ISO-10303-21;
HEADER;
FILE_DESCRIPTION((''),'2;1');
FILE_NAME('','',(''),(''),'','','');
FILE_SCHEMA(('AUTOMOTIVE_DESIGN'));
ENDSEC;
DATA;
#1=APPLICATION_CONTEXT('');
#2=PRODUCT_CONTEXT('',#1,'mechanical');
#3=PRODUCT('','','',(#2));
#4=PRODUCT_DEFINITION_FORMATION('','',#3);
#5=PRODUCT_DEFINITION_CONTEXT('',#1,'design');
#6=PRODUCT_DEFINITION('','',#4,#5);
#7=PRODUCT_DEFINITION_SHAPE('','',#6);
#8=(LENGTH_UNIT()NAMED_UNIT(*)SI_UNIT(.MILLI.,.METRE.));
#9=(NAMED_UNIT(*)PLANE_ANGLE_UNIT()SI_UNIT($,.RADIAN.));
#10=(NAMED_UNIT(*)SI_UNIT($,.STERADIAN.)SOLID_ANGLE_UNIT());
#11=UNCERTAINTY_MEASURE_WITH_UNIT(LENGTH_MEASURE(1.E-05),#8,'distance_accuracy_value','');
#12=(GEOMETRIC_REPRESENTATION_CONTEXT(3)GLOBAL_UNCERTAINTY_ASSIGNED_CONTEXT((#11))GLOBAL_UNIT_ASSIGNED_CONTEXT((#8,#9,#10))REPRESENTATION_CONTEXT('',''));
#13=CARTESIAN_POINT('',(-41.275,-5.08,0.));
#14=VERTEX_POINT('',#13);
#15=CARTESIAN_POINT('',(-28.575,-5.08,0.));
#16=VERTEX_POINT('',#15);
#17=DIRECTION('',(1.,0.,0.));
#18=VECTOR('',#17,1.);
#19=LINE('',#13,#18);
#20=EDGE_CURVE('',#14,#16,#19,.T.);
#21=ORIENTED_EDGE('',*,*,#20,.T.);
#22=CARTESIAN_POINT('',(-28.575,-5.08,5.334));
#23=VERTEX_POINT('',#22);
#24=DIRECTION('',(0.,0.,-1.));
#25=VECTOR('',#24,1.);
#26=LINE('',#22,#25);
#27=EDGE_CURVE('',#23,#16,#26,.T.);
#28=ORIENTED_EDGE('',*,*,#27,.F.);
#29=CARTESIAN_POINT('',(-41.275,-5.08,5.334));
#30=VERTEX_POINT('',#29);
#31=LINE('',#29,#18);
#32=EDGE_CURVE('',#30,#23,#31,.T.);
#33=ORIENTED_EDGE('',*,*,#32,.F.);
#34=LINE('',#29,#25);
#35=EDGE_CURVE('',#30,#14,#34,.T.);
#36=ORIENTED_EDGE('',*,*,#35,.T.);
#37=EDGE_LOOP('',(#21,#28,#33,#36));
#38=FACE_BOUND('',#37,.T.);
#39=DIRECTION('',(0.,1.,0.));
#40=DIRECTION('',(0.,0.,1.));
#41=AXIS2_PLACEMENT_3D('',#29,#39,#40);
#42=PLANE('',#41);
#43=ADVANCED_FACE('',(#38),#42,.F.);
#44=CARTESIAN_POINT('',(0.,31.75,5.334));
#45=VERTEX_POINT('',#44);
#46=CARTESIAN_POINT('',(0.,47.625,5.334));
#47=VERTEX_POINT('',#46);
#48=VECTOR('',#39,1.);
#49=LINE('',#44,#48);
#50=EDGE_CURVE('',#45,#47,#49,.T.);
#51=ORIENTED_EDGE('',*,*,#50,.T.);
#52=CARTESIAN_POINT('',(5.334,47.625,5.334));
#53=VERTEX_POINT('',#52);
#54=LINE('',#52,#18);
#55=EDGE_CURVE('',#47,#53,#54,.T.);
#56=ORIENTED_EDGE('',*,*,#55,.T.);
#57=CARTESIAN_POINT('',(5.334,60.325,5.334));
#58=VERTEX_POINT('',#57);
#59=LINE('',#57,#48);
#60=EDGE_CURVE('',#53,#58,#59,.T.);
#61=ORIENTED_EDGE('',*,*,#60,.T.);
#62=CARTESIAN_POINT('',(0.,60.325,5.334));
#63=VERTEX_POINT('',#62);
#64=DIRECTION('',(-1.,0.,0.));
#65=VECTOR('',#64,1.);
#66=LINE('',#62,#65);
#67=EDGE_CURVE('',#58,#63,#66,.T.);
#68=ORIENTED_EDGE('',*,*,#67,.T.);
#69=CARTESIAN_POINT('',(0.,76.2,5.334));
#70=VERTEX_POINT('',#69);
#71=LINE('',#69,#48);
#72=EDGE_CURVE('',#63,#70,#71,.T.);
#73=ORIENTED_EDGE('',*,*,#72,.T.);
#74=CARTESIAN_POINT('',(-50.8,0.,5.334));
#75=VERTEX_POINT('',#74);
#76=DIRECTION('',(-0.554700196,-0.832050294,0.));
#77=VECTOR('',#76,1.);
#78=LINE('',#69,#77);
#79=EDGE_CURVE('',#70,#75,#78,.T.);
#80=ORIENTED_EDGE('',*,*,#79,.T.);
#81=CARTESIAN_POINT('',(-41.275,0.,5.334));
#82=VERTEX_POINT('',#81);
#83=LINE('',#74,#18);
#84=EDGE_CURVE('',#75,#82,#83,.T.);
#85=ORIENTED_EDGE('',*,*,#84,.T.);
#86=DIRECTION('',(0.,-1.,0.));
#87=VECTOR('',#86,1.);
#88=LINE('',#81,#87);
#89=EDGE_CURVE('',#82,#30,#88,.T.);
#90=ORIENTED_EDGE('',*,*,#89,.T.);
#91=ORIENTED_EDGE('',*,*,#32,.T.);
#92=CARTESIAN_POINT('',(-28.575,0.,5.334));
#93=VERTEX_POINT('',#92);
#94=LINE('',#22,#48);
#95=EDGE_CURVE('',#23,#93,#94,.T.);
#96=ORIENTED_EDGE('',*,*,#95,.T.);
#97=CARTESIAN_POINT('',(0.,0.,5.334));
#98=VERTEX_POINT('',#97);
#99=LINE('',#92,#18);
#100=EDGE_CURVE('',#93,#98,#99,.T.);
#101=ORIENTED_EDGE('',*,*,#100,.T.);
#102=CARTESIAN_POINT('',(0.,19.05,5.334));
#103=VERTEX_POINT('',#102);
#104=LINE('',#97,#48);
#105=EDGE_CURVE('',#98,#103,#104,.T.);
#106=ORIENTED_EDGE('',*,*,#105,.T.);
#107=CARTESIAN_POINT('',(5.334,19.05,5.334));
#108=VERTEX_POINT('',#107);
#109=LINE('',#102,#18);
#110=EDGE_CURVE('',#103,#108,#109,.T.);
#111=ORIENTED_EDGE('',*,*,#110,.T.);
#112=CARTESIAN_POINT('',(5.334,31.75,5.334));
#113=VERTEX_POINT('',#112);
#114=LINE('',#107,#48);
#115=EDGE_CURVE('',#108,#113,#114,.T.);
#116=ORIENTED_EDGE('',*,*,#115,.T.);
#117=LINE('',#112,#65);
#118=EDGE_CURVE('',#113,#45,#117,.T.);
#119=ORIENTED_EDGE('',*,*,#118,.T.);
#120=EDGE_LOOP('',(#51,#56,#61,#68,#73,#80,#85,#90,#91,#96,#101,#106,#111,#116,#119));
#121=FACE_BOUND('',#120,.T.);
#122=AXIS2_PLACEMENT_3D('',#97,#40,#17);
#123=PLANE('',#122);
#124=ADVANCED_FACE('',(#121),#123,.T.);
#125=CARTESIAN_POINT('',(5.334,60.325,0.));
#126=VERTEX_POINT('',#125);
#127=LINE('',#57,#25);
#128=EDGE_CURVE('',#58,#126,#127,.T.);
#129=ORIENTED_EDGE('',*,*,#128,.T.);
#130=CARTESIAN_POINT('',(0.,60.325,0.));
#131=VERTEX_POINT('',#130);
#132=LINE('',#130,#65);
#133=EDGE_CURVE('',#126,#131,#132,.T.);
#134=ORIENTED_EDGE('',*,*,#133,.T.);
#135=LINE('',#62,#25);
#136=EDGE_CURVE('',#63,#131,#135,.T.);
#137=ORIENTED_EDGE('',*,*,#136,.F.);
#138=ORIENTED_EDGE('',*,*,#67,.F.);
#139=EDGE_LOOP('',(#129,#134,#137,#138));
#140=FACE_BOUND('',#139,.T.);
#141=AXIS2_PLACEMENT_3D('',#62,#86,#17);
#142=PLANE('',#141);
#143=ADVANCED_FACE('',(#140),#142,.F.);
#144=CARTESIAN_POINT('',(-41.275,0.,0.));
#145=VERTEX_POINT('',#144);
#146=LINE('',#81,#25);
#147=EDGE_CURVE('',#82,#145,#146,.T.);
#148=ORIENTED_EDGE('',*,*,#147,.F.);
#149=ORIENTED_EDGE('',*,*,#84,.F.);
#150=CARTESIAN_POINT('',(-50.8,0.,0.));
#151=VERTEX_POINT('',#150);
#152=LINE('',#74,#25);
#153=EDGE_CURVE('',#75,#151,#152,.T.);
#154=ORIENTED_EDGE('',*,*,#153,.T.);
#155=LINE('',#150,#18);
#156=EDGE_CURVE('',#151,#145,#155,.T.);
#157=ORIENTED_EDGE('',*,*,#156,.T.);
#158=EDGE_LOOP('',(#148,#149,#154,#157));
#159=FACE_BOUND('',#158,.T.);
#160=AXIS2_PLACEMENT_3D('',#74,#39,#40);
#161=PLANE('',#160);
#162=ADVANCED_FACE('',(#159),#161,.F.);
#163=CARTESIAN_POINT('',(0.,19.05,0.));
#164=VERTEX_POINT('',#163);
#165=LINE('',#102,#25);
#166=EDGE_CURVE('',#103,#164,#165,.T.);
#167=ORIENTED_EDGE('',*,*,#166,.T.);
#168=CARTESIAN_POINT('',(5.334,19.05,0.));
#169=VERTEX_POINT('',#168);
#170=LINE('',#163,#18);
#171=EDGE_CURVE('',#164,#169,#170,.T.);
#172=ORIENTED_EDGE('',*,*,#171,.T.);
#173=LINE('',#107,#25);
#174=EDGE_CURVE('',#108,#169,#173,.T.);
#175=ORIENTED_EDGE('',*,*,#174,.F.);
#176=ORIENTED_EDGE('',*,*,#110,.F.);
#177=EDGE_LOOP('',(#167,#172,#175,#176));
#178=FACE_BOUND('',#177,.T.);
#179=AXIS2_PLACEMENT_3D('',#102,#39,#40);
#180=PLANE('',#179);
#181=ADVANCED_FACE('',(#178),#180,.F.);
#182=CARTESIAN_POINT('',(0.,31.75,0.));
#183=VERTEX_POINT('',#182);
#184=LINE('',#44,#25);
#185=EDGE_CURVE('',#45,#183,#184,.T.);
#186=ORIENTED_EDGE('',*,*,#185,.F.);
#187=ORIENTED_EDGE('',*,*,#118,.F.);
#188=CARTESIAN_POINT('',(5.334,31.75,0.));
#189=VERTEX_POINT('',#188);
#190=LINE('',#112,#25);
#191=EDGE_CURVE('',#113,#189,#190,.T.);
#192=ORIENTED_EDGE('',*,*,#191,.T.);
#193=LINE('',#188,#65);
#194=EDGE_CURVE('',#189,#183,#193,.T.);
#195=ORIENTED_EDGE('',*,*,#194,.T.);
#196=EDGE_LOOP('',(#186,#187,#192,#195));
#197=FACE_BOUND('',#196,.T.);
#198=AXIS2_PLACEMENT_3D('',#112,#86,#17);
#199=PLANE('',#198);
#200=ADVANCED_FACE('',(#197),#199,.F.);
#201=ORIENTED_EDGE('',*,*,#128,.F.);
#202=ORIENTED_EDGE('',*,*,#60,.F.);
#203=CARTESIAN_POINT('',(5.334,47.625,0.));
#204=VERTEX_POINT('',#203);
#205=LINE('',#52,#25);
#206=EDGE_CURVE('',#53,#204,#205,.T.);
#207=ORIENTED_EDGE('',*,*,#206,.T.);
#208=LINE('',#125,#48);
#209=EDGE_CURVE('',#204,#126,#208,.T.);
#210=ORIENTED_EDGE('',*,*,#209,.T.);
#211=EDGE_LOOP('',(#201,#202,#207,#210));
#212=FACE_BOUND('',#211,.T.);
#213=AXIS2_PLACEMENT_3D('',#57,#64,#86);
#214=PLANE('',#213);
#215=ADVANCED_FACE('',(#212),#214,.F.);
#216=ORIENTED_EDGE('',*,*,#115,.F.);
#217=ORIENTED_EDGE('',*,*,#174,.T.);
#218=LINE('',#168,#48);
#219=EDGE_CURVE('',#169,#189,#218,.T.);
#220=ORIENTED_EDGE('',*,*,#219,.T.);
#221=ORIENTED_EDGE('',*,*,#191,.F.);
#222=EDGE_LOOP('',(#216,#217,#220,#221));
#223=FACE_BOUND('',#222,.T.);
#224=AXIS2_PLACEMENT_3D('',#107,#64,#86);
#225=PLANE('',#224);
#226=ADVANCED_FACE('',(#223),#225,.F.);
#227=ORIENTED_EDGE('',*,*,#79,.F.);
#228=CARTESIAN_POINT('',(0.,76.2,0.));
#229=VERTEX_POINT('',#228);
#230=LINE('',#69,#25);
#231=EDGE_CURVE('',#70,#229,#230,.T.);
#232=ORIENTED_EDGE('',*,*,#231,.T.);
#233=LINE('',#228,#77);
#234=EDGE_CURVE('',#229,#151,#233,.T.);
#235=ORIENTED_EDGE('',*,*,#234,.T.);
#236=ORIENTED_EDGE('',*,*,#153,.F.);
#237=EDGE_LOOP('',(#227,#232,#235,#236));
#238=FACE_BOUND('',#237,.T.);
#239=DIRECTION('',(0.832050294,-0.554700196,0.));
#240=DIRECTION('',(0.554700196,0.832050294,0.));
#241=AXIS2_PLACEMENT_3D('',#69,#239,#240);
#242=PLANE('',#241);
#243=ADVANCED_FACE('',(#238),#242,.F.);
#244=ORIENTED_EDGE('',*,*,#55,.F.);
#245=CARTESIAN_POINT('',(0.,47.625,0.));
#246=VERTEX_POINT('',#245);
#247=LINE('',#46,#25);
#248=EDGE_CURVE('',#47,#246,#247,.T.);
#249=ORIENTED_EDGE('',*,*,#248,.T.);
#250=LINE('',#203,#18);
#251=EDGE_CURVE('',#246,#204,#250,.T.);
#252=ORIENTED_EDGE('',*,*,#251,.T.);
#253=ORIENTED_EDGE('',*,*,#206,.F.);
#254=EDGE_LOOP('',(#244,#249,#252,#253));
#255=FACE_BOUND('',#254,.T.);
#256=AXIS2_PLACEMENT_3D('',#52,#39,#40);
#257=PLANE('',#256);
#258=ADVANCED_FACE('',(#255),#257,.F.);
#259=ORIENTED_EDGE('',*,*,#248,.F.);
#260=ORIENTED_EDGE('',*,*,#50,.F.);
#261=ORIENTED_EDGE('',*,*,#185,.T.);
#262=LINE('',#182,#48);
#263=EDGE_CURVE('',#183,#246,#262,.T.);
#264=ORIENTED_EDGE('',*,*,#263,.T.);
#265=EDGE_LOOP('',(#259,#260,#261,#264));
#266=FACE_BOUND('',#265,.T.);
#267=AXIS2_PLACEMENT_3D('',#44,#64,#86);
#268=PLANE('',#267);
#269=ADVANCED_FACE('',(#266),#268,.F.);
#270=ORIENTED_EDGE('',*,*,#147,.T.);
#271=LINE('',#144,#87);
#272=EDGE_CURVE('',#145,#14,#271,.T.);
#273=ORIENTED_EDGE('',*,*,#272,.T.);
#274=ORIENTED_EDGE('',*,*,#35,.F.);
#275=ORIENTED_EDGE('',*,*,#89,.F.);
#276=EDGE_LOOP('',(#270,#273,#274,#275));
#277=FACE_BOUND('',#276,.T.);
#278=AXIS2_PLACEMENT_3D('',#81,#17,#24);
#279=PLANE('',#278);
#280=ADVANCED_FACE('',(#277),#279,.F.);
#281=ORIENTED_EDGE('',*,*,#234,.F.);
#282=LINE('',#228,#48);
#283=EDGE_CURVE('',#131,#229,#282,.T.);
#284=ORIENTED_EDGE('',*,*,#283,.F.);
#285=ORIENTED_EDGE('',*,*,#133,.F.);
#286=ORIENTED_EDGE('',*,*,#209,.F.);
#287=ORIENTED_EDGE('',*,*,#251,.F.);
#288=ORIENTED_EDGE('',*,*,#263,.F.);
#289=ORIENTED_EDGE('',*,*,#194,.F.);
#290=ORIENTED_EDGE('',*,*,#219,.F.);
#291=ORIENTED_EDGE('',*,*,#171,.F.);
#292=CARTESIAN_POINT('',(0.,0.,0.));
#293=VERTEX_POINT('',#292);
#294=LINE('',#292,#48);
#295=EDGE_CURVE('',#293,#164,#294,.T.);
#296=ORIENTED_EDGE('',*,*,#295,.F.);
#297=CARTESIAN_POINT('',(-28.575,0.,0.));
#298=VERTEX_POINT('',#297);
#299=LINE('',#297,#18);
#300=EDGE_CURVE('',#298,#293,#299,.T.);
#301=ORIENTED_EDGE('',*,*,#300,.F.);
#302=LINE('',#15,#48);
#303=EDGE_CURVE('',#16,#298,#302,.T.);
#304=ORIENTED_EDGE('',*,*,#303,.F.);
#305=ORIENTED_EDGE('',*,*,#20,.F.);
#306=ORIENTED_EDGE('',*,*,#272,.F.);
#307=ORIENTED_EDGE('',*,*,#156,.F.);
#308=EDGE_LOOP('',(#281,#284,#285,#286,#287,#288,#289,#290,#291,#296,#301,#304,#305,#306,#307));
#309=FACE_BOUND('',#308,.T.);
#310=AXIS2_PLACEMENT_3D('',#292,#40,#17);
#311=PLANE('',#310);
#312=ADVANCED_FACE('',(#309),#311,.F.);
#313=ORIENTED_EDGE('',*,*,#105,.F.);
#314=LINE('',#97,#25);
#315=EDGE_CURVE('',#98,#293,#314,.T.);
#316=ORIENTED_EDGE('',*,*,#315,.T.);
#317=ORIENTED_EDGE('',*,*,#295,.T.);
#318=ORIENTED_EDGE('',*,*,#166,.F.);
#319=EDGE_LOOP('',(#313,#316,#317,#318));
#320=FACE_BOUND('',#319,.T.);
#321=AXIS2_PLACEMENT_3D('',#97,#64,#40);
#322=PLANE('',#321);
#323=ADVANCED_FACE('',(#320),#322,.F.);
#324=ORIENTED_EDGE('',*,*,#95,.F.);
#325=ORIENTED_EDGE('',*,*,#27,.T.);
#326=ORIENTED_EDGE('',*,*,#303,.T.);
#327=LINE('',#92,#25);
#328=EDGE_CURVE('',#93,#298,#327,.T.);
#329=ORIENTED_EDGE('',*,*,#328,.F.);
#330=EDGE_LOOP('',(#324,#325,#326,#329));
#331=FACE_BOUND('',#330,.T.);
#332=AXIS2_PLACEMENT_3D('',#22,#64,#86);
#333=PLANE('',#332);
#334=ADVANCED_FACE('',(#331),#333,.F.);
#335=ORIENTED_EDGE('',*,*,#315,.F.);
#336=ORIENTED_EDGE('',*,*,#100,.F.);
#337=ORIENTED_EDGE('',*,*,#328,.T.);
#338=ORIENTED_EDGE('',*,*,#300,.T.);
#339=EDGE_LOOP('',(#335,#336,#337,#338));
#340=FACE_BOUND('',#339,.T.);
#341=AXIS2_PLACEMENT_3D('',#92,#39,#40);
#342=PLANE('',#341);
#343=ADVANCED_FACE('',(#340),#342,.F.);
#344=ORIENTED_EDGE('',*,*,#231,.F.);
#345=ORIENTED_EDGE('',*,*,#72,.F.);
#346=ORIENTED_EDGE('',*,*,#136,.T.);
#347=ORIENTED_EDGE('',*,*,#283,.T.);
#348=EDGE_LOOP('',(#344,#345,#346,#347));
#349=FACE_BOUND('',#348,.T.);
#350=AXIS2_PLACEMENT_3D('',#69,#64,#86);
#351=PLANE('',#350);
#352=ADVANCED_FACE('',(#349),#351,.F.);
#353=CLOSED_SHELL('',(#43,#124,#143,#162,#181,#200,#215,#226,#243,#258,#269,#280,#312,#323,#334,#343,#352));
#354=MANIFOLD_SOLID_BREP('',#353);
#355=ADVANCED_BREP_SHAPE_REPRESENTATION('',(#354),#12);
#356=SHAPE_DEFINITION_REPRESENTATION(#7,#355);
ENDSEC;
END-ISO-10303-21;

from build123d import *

# Parameters (mm, degrees)
BOSS_EXTRUDE1_DEPTH = 5.334


with BuildPart() as part:
    # Sketch1 → Boss-Extrude1 (new body)
    with BuildSketch(Plane.XY):
        Polygon((0, 0), (0, 19.05), (5.334, 19.05), (5.334, 31.75), (0, 31.75), (0, 47.625), (5.334, 47.625), (5.334, 60.325), (0, 60.325), (0, 76.2), (-50.8, 0), (-41.275, 0), (-41.275, -5.08), (-28.575, -5.08), (-28.575, 0), align=None)
    extrude(amount=BOSS_EXTRUDE1_DEPTH)


solid = part.part
